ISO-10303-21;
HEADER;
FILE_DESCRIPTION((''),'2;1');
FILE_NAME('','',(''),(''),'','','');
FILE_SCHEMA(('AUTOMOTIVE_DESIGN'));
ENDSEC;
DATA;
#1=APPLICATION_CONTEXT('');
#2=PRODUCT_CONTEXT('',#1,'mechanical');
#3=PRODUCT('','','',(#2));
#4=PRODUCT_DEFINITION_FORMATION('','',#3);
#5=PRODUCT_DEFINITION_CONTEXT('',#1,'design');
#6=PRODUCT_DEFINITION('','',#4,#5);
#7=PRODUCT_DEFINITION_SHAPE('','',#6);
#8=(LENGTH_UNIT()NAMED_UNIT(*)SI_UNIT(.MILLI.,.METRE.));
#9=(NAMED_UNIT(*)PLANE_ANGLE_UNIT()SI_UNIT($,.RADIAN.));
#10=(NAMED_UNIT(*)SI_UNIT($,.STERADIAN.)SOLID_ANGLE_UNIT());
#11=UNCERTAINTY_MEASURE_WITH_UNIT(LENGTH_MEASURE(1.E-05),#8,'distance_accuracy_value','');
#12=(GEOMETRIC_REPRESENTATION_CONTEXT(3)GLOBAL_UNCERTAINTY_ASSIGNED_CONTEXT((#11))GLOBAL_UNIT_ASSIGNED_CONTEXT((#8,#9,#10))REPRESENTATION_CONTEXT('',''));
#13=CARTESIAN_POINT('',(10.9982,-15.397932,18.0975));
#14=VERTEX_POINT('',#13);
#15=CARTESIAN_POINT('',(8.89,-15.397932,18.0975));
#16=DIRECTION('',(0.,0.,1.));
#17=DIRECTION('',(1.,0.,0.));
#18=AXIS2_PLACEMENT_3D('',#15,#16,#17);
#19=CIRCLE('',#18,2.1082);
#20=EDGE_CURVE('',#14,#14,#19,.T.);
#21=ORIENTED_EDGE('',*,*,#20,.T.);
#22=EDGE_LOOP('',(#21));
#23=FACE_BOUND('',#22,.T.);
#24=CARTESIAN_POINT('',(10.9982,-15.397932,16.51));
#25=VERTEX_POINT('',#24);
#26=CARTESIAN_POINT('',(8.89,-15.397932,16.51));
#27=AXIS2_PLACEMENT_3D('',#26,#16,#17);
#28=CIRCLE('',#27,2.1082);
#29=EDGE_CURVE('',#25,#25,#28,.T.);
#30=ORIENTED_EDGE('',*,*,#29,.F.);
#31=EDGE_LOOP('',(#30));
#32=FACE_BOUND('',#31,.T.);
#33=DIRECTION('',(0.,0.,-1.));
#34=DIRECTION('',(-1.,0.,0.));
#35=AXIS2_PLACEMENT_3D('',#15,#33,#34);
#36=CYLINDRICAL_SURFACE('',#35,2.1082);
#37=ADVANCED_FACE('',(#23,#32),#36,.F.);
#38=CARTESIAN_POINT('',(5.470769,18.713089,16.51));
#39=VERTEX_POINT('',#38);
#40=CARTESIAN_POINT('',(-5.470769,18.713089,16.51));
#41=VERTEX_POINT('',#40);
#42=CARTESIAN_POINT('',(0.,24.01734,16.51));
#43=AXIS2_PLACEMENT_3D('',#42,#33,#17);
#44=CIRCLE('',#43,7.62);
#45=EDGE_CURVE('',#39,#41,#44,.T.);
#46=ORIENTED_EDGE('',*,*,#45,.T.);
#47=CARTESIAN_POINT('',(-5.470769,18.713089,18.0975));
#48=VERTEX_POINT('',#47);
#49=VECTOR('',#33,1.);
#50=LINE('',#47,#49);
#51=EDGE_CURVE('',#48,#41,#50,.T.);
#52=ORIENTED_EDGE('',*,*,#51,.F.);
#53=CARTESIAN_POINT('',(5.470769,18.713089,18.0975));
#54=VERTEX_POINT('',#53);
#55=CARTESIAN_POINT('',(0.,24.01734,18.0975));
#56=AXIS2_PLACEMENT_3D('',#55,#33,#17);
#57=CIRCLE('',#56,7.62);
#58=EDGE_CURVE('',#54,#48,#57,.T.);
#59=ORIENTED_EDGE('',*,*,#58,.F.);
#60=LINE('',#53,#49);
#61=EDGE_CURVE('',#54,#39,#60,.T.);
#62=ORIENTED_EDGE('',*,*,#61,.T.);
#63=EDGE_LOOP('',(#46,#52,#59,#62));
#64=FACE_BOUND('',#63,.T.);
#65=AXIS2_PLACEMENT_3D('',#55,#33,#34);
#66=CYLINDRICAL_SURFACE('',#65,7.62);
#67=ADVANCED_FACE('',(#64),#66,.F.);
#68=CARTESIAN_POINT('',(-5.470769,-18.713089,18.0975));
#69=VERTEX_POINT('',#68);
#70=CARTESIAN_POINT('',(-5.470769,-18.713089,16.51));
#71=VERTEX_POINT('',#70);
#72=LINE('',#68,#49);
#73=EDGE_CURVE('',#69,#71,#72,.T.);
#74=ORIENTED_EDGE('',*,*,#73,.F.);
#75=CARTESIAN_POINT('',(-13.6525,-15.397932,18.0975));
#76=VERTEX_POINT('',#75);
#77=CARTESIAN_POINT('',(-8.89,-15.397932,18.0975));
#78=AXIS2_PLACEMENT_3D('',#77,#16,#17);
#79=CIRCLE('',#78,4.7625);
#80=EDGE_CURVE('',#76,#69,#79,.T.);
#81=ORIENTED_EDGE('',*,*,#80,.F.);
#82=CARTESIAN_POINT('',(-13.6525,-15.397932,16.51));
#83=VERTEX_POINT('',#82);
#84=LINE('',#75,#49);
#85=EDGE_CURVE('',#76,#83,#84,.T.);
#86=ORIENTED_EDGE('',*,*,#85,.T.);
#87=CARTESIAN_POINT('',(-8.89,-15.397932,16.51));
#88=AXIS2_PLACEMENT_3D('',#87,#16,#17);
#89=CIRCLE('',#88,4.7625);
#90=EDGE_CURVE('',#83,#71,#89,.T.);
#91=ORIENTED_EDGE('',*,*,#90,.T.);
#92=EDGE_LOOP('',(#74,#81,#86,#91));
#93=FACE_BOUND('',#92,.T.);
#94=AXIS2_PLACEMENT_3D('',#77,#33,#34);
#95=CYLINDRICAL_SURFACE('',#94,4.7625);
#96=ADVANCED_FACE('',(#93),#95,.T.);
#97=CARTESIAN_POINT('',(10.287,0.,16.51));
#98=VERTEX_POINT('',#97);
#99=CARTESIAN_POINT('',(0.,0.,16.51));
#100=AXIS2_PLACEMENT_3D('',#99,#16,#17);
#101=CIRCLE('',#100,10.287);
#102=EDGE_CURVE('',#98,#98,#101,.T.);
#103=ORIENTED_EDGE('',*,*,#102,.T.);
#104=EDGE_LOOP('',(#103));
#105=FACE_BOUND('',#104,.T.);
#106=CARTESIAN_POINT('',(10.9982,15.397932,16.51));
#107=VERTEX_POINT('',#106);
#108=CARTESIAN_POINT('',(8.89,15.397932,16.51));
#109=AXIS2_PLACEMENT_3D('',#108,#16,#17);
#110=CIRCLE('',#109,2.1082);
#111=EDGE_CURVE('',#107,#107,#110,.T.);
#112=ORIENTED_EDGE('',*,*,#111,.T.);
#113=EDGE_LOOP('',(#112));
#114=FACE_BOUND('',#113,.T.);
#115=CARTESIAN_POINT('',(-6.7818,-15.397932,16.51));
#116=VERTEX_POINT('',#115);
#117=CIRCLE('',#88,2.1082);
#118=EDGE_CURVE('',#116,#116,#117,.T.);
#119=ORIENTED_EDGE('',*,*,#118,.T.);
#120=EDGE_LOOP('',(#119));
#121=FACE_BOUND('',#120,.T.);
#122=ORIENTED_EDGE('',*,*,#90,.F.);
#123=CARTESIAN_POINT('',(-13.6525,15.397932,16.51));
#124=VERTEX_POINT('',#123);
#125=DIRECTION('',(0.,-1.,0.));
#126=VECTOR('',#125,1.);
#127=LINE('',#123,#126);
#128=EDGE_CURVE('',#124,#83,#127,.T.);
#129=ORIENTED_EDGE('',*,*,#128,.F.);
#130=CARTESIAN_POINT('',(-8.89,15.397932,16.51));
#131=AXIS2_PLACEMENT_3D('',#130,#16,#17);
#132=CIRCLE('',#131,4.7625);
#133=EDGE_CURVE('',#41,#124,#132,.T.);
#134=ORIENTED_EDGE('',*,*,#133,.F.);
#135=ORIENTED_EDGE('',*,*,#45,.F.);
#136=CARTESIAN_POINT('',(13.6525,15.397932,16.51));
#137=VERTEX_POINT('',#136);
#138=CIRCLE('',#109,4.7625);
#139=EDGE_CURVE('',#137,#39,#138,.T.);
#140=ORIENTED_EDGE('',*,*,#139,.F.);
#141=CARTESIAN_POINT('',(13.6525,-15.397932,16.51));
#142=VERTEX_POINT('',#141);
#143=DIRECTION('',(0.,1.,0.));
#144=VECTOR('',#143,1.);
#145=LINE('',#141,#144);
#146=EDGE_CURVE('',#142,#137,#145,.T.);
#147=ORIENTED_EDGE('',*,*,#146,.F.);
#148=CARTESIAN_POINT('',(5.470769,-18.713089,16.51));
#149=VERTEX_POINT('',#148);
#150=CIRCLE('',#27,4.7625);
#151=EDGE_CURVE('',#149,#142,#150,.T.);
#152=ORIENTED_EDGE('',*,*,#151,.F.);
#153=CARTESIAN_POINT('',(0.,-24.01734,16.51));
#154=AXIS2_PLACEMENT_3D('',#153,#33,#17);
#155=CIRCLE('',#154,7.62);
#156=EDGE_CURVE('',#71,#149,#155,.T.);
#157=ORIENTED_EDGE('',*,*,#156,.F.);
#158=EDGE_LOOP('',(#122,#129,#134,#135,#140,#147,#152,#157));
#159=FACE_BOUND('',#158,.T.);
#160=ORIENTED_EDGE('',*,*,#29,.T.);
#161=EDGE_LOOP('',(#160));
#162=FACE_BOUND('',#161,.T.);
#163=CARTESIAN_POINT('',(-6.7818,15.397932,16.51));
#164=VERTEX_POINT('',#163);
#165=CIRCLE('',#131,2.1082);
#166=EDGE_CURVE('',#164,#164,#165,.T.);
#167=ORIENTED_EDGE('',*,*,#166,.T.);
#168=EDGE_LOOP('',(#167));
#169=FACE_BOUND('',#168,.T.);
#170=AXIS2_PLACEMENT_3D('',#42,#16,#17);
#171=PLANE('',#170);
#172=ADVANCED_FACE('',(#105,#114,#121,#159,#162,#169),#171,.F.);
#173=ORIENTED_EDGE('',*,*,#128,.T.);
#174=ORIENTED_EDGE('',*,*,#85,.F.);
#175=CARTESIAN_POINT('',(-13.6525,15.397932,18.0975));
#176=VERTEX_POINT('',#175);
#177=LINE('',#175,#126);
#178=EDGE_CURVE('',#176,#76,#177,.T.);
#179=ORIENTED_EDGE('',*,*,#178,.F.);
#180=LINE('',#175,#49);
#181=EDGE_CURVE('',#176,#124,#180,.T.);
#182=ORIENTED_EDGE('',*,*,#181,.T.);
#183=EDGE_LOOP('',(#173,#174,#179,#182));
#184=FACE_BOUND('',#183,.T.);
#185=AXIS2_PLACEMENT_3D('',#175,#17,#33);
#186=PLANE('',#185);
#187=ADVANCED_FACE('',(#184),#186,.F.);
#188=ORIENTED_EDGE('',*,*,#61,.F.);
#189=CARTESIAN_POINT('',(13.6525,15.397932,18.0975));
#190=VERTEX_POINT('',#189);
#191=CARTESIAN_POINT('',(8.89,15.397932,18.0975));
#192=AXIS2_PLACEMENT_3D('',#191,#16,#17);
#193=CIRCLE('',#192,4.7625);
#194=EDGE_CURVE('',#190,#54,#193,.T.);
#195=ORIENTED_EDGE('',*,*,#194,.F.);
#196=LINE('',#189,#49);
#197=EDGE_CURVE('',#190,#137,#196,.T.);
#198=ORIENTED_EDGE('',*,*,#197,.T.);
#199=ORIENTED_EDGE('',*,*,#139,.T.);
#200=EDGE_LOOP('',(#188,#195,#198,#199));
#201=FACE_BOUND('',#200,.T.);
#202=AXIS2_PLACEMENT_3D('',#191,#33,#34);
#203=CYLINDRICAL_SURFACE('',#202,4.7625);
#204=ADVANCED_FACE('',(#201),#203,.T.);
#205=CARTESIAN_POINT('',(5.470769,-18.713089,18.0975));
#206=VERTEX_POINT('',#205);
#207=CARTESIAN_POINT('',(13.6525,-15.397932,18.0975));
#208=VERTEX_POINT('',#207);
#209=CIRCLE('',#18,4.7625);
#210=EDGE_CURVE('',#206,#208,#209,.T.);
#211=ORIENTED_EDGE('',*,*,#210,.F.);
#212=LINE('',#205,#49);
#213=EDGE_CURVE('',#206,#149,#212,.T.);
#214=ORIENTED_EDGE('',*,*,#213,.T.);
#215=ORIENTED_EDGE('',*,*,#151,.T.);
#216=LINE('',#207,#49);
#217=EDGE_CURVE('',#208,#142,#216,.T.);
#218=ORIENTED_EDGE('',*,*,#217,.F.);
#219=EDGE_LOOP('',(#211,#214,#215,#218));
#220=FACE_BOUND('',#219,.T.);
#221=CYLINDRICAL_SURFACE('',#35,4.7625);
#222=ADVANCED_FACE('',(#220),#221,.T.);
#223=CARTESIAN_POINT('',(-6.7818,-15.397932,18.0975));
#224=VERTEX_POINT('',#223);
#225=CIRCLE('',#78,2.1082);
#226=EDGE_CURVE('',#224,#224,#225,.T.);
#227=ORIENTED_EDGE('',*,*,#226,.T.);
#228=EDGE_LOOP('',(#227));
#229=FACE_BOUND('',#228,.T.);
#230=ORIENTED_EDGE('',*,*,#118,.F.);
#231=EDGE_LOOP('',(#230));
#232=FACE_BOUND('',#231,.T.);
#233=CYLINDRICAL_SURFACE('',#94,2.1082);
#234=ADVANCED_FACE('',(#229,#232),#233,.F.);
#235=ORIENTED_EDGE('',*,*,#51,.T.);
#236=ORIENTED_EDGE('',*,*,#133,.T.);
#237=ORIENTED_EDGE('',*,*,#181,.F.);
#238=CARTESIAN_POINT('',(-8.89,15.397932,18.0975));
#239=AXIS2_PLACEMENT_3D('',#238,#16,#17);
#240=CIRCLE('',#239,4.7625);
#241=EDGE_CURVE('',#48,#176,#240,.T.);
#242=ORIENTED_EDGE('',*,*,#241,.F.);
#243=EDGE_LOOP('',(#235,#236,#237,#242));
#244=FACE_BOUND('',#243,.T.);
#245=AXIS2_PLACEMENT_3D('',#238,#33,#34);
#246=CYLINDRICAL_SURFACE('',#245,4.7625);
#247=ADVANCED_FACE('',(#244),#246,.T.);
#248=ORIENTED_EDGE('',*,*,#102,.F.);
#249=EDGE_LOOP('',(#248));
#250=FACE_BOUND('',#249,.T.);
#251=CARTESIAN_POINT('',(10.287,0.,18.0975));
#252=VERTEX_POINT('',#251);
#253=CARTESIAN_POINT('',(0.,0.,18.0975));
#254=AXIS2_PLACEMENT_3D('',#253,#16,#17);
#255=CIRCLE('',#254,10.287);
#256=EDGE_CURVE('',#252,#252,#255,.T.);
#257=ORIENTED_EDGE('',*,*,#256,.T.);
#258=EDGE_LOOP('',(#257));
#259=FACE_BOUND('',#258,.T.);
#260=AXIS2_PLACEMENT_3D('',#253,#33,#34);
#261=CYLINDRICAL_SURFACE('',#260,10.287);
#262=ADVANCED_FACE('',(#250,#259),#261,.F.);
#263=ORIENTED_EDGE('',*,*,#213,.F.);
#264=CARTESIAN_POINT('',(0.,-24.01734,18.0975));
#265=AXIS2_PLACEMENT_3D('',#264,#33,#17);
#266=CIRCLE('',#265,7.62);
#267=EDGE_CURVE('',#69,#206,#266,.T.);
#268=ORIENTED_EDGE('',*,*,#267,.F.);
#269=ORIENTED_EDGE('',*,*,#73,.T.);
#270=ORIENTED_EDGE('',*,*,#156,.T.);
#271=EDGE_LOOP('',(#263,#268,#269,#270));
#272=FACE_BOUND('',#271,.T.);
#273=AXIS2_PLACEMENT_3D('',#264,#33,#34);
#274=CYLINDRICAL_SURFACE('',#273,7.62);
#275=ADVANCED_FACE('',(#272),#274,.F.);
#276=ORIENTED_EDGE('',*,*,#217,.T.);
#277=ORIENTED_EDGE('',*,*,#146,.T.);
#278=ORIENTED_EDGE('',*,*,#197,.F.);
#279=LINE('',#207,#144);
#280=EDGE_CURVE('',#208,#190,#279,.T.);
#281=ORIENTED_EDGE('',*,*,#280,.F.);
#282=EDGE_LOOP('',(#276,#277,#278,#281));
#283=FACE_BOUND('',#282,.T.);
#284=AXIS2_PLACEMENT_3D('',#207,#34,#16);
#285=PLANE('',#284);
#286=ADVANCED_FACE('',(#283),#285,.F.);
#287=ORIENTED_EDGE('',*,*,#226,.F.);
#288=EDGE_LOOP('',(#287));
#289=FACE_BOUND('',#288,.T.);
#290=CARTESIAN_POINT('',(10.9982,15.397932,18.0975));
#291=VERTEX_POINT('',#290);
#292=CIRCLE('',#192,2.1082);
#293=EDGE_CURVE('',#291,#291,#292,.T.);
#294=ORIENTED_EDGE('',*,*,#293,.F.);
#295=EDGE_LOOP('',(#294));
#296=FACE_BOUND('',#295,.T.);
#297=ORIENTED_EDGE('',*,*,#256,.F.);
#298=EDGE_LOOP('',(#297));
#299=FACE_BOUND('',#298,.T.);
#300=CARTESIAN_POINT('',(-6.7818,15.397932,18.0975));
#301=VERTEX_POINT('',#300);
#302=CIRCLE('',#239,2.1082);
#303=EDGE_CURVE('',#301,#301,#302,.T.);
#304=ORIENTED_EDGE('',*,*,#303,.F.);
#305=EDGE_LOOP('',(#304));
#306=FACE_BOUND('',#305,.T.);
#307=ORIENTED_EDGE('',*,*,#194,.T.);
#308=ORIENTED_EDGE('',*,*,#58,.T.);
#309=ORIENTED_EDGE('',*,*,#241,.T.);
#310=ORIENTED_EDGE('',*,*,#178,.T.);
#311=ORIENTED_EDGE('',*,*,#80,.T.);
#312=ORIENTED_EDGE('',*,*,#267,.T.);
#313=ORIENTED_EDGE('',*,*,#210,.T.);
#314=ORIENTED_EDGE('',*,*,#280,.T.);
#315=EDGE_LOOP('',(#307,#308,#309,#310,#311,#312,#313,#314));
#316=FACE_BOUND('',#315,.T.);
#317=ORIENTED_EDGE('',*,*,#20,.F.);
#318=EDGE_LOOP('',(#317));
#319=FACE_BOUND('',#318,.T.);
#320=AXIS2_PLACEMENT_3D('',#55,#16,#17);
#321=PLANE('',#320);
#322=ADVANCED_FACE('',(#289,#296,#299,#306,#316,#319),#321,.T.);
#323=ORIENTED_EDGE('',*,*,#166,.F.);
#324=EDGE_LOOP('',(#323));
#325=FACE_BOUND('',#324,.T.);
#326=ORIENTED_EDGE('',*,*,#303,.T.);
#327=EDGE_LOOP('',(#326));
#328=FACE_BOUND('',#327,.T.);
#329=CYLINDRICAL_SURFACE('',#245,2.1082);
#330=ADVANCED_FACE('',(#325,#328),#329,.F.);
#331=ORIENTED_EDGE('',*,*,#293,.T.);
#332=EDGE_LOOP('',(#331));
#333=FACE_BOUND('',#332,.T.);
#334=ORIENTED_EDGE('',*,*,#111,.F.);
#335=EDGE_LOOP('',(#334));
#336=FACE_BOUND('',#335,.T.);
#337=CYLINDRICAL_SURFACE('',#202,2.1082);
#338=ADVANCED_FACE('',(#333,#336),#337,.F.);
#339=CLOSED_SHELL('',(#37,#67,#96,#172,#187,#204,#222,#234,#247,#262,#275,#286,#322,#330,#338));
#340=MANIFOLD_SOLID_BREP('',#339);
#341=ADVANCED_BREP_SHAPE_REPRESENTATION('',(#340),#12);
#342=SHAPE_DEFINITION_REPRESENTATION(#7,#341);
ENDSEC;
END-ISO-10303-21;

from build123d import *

# Parameters (mm, degrees)
SKETCH1_R           = 2.1082
SKETCH1_R_2         = 10.287
BOSS_EXTRUDE1_DEPTH = 1.5875


with BuildPart() as part:
    # Sketch1 → Boss-Extrude1 (new body)
    with BuildSketch(Plane.XY.offset(16.51)):
        with BuildLine():
            Line((13.6525, -15.397931679), (13.6525, 15.397931679))
            ThreePointArc((13.6525, 15.397931679), (10.678479761, 19.811858094), (5.470769231, 18.71308887))
            ThreePointArc((5.470769231, 18.71308887), (0, 16.397340374), (-5.470769231, 18.71308887))
            ThreePointArc((-5.470769231, 18.71308887), (-10.678479761, 19.811858094), (-13.6525, 15.397931679))
            Line((-13.6525, 15.397931679), (-13.6525, -15.397931679))
            ThreePointArc((-13.6525, -15.397931679), (-10.678479761, -19.811858094), (-5.470769231, -18.71308887))
            ThreePointArc((-5.470769231, -18.71308887), (0, -16.397340374), (5.470769231, -18.71308887))
            ThreePointArc((5.470769231, -18.71308887), (10.678479761, -19.811858094), (13.6525, -15.397931679))
        make_face()
        with Locations((8.89, -15.397931679)):
            Circle(SKETCH1_R, mode=Mode.SUBTRACT)
        with Locations((-8.89, -15.397931679)):
            Circle(SKETCH1_R, mode=Mode.SUBTRACT)
        Circle(SKETCH1_R_2, mode=Mode.SUBTRACT)
        with Locations((8.89, 15.397931679)):
            Circle(SKETCH1_R, mode=Mode.SUBTRACT)
        with Locations((-8.89, 15.397931679)):
            Circle(SKETCH1_R, mode=Mode.SUBTRACT)
    extrude(amount=BOSS_EXTRUDE1_DEPTH)


solid = part.part
